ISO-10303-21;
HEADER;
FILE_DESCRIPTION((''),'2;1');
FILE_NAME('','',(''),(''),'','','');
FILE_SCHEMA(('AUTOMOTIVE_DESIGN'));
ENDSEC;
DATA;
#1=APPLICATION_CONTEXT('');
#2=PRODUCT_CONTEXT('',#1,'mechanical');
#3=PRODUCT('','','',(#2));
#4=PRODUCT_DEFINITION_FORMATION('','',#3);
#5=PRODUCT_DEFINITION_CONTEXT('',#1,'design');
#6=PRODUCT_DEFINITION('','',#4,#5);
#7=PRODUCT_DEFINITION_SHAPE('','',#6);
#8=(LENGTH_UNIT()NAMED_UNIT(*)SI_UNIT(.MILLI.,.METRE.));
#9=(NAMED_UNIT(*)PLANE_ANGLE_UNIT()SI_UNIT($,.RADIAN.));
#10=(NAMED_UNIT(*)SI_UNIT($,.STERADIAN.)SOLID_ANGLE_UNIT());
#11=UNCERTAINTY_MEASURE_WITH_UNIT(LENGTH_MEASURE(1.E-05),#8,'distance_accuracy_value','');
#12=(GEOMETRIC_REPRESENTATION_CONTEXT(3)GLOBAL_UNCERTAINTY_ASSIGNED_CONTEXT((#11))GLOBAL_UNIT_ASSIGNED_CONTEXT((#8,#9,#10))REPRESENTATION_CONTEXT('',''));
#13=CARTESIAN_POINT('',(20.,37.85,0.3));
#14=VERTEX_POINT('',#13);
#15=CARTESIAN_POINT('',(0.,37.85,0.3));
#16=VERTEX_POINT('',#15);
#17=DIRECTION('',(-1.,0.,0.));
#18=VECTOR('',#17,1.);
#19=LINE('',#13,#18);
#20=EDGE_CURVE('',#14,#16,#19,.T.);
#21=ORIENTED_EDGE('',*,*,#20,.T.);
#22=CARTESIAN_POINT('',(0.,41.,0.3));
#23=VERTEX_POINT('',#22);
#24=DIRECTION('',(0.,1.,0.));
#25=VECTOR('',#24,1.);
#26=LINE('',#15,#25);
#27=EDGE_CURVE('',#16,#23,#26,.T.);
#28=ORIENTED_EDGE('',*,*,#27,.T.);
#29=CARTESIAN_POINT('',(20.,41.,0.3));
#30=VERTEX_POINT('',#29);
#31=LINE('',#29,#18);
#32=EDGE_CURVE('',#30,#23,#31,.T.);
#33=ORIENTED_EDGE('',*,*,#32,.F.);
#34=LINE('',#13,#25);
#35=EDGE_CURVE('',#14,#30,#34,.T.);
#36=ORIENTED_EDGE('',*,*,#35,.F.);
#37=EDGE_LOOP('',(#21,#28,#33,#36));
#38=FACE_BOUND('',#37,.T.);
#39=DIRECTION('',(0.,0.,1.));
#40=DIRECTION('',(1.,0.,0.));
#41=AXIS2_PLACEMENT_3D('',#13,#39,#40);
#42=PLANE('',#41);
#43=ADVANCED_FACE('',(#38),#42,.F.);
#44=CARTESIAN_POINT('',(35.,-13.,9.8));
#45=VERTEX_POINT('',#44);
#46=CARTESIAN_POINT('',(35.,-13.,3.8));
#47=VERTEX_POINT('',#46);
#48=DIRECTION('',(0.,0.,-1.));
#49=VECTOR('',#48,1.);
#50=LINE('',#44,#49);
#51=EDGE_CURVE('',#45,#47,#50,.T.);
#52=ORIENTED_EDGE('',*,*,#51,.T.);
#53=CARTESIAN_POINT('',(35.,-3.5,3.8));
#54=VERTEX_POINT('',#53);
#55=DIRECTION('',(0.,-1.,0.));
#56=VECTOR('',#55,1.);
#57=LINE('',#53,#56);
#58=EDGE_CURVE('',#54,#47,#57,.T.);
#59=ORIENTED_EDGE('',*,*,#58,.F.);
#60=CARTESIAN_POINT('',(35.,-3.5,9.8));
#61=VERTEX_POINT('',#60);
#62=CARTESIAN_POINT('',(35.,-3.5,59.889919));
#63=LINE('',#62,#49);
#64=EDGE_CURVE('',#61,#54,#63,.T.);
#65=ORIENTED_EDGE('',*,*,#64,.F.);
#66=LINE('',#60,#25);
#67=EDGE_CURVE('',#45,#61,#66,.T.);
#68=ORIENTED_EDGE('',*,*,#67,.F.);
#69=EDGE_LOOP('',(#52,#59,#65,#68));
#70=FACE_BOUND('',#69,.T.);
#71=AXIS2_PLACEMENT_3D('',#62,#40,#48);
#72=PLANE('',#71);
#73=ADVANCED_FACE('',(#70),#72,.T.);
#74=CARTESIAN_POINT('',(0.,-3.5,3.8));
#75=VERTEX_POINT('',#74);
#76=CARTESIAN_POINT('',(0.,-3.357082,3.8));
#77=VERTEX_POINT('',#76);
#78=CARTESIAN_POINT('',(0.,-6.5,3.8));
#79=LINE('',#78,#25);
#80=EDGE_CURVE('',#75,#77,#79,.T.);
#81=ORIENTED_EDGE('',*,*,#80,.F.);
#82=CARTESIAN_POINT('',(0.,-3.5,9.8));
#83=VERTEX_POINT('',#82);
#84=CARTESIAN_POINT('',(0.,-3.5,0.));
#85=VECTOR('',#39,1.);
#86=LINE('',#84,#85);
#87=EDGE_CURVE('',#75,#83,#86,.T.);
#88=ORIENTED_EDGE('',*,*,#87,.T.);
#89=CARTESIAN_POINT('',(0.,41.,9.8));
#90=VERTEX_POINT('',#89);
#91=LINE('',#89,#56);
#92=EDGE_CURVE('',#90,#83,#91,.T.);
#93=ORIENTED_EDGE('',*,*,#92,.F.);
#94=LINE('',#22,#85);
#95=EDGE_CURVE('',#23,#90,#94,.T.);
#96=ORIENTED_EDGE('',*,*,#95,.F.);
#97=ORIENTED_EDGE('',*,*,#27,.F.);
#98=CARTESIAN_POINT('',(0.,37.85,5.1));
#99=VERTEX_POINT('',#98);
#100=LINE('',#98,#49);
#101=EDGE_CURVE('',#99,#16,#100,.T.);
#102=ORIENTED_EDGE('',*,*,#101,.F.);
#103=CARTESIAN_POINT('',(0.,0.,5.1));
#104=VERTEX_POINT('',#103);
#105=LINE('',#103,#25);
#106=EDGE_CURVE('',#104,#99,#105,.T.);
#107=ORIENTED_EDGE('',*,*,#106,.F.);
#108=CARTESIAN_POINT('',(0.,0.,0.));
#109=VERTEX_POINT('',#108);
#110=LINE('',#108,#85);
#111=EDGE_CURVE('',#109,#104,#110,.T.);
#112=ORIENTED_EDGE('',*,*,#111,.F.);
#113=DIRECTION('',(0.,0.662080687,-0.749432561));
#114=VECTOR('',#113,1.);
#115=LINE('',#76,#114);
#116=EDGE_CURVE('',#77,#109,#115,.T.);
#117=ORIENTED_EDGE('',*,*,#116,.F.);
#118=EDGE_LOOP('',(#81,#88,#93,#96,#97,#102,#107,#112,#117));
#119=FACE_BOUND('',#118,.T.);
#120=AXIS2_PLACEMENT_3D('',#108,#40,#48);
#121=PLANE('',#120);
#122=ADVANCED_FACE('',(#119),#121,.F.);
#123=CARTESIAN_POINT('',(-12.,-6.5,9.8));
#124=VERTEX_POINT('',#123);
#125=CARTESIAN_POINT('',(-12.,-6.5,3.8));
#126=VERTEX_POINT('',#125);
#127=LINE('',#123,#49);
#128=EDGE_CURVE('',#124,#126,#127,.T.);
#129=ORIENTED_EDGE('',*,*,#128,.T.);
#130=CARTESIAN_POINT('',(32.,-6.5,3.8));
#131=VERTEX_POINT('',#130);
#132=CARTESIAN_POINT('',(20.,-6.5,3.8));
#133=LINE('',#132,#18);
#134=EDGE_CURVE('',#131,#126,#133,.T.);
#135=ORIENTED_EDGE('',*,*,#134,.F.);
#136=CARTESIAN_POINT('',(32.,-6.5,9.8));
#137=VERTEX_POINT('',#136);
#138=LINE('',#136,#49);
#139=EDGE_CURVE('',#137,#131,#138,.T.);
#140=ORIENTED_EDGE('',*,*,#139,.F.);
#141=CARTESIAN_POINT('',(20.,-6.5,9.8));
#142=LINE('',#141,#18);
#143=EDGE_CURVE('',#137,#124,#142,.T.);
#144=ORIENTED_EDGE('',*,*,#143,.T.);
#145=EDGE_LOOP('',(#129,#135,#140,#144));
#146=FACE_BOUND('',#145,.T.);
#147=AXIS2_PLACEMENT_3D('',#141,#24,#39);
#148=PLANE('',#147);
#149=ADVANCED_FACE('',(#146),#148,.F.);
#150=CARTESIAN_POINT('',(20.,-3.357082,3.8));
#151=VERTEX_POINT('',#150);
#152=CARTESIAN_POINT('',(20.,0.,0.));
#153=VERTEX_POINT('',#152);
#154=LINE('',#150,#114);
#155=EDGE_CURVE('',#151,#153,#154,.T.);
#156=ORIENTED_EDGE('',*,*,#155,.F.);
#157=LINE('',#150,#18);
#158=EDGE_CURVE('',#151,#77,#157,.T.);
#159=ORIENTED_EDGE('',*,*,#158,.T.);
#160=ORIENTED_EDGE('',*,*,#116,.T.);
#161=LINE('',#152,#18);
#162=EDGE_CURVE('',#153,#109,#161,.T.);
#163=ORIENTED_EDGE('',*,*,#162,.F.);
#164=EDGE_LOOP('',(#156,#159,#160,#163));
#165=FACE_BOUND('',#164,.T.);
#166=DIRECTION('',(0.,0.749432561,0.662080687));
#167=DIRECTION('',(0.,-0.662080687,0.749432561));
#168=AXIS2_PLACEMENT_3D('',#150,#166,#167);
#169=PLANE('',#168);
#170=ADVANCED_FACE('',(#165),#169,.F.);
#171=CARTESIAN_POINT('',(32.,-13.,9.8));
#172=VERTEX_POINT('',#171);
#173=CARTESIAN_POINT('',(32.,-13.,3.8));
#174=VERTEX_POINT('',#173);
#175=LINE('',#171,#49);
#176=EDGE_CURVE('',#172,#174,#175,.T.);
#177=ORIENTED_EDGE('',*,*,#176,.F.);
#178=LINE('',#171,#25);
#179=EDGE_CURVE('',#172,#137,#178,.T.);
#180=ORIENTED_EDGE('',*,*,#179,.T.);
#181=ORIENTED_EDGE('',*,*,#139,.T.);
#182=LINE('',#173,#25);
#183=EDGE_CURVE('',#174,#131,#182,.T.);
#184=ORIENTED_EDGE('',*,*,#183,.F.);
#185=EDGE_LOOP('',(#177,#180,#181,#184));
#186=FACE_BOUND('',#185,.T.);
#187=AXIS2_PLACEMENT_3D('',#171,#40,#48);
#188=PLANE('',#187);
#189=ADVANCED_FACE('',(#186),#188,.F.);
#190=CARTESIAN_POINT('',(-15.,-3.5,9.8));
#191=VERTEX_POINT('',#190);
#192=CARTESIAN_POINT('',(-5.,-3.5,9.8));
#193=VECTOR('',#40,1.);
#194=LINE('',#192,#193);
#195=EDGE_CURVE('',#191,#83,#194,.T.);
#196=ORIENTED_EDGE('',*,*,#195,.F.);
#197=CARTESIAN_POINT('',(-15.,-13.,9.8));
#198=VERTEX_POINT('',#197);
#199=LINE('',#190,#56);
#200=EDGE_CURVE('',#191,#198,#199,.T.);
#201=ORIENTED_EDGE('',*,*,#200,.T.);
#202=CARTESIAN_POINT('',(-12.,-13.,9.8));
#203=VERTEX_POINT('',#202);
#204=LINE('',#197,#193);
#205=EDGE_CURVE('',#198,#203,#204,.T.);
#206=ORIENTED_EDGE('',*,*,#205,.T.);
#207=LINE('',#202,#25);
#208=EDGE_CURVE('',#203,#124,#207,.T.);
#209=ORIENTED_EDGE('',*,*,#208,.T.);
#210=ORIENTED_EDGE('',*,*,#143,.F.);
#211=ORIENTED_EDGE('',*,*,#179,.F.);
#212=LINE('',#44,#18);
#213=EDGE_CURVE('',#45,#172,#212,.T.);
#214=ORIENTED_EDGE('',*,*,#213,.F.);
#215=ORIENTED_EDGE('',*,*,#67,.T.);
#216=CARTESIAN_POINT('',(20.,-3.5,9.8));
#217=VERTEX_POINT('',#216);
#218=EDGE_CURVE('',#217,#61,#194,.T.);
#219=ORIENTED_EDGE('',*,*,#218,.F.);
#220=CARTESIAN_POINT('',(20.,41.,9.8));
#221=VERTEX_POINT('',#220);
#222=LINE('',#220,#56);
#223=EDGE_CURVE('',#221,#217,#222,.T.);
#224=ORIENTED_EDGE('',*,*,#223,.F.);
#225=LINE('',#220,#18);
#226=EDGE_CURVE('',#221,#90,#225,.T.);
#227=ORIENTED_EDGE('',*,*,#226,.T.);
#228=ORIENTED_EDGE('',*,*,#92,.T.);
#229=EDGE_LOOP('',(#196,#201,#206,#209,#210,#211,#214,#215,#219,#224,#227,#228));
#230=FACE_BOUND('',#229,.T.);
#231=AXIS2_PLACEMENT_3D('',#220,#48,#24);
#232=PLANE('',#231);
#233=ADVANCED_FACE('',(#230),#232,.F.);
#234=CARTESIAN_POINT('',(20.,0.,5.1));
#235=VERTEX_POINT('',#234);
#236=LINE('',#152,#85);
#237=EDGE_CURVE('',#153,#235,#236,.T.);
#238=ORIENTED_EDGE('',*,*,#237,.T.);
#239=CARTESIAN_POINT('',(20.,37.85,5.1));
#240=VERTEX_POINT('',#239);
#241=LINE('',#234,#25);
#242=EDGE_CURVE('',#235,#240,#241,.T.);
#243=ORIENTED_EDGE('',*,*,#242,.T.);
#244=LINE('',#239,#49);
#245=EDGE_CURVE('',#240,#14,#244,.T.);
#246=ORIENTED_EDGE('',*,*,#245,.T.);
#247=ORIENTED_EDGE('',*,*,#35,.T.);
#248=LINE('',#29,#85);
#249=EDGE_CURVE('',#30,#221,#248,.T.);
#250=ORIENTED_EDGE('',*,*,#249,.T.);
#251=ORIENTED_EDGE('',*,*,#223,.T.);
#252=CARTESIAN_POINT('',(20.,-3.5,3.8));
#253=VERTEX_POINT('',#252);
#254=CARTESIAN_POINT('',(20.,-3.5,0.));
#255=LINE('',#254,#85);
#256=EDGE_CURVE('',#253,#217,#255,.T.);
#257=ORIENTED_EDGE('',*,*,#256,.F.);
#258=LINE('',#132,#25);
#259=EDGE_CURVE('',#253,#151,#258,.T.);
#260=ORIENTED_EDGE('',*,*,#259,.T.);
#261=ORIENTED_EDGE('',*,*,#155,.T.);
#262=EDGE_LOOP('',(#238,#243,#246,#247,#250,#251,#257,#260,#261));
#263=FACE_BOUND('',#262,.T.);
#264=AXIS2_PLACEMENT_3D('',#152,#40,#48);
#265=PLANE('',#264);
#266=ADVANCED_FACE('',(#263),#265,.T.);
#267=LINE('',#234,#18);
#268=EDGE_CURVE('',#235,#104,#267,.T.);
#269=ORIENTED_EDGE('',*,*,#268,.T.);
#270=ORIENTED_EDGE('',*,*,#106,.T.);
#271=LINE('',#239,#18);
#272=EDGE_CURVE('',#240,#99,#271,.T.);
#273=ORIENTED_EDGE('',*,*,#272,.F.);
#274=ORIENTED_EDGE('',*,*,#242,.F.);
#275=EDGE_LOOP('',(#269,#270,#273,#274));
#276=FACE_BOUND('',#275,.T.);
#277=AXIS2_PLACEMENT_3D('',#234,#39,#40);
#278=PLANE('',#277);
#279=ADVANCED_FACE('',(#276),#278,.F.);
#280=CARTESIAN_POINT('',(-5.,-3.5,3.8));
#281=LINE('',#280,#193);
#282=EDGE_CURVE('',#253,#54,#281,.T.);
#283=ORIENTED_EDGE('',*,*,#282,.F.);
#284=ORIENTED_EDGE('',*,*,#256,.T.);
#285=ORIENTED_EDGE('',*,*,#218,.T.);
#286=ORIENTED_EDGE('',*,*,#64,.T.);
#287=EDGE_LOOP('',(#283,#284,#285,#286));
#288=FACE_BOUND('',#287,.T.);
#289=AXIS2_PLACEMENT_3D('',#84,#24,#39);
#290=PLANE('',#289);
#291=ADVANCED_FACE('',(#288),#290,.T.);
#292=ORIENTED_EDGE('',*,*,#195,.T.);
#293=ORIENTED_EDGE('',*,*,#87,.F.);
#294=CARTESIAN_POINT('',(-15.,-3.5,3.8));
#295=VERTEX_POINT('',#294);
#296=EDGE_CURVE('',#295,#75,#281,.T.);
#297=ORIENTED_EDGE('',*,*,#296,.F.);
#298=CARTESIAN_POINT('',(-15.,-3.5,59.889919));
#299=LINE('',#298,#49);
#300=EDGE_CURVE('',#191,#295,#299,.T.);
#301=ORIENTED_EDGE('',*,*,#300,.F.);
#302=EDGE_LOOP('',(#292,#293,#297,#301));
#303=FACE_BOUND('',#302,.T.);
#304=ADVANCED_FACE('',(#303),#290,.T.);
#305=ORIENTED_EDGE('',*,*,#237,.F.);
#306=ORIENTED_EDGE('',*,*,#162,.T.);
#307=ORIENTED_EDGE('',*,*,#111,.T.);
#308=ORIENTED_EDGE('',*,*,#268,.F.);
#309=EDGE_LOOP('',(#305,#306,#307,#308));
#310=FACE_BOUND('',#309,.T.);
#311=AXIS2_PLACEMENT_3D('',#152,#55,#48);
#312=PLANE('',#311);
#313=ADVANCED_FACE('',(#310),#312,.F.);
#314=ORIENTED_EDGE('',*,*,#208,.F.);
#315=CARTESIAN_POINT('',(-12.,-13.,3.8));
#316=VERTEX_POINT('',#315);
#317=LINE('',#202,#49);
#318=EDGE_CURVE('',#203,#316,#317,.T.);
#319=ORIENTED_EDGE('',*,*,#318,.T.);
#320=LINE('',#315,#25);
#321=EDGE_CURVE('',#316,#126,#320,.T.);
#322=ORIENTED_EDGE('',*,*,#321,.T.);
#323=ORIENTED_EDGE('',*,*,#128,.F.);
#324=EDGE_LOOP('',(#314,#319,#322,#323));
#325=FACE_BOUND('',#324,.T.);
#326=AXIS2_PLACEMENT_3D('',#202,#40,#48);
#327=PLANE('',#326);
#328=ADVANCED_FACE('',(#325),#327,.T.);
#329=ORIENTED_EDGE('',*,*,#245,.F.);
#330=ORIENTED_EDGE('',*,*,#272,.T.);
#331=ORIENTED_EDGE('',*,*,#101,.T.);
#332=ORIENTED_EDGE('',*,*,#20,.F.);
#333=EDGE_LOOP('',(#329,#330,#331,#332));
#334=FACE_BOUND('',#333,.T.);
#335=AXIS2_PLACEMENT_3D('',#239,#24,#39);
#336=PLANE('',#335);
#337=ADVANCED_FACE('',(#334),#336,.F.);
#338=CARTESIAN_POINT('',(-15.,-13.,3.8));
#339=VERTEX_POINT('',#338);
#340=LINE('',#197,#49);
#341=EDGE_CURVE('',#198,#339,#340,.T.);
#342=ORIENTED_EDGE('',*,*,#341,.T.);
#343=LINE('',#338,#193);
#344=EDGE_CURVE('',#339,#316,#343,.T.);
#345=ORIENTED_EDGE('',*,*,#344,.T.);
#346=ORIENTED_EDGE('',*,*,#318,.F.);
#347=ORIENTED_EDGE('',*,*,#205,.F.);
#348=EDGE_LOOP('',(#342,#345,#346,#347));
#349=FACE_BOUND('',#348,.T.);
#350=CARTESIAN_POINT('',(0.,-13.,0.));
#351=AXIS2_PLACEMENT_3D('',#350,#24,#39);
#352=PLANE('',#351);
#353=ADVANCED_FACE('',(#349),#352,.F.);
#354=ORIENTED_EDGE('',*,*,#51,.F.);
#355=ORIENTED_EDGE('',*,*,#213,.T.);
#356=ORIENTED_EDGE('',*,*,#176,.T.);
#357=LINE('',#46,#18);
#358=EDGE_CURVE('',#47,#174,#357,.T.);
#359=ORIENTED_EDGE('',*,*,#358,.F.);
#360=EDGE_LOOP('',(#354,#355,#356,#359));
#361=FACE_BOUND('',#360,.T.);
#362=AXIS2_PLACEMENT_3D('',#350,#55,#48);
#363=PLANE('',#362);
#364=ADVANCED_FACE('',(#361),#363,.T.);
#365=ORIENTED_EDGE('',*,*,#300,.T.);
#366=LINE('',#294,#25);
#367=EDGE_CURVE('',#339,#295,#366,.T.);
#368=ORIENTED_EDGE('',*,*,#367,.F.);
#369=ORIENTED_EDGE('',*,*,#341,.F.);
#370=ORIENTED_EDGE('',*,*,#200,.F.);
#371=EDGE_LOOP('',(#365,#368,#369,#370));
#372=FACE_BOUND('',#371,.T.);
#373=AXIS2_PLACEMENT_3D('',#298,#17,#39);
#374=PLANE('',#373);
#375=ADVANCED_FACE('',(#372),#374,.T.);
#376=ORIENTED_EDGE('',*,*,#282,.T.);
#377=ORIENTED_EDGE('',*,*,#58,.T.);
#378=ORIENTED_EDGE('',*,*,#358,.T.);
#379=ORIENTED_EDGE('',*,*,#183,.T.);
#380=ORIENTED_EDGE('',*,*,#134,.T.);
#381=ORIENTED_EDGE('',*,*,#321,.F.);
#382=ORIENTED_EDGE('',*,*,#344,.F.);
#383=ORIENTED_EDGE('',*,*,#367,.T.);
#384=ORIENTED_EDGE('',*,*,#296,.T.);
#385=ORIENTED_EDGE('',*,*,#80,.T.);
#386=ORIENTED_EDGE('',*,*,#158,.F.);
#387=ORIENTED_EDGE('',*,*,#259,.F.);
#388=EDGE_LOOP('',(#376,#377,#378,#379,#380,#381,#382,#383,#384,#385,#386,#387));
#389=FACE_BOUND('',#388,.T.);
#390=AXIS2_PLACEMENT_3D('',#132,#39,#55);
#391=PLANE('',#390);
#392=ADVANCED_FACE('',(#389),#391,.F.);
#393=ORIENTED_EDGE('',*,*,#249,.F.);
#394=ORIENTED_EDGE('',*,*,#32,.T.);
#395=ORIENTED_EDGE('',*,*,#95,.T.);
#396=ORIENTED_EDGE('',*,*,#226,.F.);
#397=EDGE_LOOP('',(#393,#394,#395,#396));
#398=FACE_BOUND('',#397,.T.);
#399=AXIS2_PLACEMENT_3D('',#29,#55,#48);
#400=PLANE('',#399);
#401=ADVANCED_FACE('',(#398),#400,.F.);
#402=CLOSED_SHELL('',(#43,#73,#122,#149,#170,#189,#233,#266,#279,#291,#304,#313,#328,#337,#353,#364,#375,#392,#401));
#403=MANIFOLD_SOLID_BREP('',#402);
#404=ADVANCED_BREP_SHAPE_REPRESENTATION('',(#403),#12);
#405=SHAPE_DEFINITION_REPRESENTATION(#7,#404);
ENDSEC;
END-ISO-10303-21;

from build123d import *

# Parameters (mm, degrees)
BOSS_EXTRUDE1_DEPTH = 20
SKETCH2_W           = 30
SKETCH2_H           = 6
BOSS_EXTRUDE2_DEPTH = 3
SKETCH3_W           = 50
SKETCH3_H           = 3
BOSS_EXTRUDE3_DEPTH = 6
SKETCH4_W           = 3
SKETCH4_H           = 6
BOSS_EXTRUDE4_DEPTH = 6.5


with BuildPart() as part:
    # Sketch1 → Boss-Extrude1 (new body)
    with BuildSketch(Plane(origin=(0, 0, 0), x_dir=(0, 0, -1), z_dir=(1, 0, 0))):
        Polygon((-9.8, -6.5), (-3.8, -6.5), (-3.8, -3.357082066), (0, 0), (-5.1, 0), (-5.1, 37.85), (-0.3, 37.85), (-0.3, 41), (-9.8, 41), align=None)
    extrude(amount=BOSS_EXTRUDE1_DEPTH)

    # Sketch2 → Boss-Extrude2 (add)
    with BuildSketch(Plane.XZ.offset(6.5)):
        with Locations((10, 6.8)):
            Rectangle(SKETCH2_W, SKETCH2_H)
    extrude(amount=-BOSS_EXTRUDE2_DEPTH)

    # Sketch3 → Boss-Extrude3 (add)
    with BuildSketch(Plane(origin=(0, 0, 3.8), x_dir=(-1, 0, 0), z_dir=(0, 0, -1))):
        with Locations((-10, -5)):
            Rectangle(SKETCH3_W, SKETCH3_H)
    extrude(amount=-BOSS_EXTRUDE3_DEPTH)

    # Sketch4 → Boss-Extrude4 (add)
    with BuildSketch(Plane.XZ.offset(6.5)):
        with Locations((-13.5, 6.8)):
            Rectangle(SKETCH4_W, SKETCH4_H)
        with Locations((33.5, 6.8)):
            Rectangle(SKETCH4_W, SKETCH4_H)
    extrude(amount=BOSS_EXTRUDE4_DEPTH)


solid = part.part
